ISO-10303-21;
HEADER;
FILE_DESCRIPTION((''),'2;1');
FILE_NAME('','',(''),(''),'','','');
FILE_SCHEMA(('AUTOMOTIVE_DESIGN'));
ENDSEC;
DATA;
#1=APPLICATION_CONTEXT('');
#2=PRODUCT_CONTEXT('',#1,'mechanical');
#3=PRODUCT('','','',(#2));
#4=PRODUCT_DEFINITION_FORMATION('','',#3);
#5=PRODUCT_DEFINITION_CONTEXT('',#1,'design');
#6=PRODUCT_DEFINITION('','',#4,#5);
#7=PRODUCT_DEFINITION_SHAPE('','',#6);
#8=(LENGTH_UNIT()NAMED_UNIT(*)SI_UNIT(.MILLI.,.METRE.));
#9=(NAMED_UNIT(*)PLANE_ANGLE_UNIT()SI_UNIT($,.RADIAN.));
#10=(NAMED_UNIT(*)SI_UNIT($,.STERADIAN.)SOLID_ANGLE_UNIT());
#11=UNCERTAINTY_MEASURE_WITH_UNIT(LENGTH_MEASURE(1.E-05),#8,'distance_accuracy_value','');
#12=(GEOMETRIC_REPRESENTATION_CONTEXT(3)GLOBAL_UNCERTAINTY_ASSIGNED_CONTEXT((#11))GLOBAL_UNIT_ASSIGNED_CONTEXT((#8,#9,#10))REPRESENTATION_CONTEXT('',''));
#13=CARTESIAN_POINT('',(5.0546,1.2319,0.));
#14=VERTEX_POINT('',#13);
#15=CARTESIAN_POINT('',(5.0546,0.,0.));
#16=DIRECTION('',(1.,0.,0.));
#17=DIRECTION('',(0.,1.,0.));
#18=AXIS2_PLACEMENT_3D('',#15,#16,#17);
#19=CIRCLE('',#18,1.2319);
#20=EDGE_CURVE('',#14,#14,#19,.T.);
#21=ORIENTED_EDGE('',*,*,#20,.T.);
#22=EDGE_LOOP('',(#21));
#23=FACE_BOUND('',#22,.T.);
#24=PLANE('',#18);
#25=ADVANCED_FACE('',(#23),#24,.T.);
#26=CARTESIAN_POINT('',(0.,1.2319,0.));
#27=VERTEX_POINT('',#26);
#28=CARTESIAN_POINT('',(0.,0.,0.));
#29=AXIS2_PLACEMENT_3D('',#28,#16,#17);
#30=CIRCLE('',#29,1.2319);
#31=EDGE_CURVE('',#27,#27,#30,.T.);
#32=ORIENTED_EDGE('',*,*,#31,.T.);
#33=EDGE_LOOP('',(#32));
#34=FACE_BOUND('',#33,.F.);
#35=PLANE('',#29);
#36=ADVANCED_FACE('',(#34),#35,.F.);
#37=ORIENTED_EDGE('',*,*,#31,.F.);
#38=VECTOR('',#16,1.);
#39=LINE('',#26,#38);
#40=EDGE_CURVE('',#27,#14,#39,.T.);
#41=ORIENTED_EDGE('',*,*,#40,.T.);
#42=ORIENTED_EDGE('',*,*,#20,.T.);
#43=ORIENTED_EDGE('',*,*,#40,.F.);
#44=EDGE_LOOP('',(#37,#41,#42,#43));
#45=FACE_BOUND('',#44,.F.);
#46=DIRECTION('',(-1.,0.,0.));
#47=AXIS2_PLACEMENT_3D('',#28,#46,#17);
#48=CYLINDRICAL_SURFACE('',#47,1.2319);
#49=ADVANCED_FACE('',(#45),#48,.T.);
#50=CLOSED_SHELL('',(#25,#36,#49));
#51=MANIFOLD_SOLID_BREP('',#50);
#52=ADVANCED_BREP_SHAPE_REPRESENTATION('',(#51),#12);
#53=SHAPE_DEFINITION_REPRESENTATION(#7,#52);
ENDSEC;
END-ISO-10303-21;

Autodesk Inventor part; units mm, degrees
ref_plane "YZ Plane" through (0, 0, 0) normal (1, 0, 0) x (0, 1, 0)
ref_plane "XZ Plane" through (0, 0, 0) normal (0, 1, 0) x (-1, 0, 0)
ref_plane "XY Plane" through (0, 0, 0) normal (0, 0, 1) x (1, 0, 0)
sketch "Sketch1" plane through (0, 0, 0) normal (1, 0, 0) x (0, 1, 0)
  circle A0 centre (0, 0) radius 1.2319
  dimension "d0" = 2.4638
extrude "Extrusion1" add sketch "Sketch1" along normal blind 5.0546
properties part number "SLIDER CRANK JOINT PIN"
